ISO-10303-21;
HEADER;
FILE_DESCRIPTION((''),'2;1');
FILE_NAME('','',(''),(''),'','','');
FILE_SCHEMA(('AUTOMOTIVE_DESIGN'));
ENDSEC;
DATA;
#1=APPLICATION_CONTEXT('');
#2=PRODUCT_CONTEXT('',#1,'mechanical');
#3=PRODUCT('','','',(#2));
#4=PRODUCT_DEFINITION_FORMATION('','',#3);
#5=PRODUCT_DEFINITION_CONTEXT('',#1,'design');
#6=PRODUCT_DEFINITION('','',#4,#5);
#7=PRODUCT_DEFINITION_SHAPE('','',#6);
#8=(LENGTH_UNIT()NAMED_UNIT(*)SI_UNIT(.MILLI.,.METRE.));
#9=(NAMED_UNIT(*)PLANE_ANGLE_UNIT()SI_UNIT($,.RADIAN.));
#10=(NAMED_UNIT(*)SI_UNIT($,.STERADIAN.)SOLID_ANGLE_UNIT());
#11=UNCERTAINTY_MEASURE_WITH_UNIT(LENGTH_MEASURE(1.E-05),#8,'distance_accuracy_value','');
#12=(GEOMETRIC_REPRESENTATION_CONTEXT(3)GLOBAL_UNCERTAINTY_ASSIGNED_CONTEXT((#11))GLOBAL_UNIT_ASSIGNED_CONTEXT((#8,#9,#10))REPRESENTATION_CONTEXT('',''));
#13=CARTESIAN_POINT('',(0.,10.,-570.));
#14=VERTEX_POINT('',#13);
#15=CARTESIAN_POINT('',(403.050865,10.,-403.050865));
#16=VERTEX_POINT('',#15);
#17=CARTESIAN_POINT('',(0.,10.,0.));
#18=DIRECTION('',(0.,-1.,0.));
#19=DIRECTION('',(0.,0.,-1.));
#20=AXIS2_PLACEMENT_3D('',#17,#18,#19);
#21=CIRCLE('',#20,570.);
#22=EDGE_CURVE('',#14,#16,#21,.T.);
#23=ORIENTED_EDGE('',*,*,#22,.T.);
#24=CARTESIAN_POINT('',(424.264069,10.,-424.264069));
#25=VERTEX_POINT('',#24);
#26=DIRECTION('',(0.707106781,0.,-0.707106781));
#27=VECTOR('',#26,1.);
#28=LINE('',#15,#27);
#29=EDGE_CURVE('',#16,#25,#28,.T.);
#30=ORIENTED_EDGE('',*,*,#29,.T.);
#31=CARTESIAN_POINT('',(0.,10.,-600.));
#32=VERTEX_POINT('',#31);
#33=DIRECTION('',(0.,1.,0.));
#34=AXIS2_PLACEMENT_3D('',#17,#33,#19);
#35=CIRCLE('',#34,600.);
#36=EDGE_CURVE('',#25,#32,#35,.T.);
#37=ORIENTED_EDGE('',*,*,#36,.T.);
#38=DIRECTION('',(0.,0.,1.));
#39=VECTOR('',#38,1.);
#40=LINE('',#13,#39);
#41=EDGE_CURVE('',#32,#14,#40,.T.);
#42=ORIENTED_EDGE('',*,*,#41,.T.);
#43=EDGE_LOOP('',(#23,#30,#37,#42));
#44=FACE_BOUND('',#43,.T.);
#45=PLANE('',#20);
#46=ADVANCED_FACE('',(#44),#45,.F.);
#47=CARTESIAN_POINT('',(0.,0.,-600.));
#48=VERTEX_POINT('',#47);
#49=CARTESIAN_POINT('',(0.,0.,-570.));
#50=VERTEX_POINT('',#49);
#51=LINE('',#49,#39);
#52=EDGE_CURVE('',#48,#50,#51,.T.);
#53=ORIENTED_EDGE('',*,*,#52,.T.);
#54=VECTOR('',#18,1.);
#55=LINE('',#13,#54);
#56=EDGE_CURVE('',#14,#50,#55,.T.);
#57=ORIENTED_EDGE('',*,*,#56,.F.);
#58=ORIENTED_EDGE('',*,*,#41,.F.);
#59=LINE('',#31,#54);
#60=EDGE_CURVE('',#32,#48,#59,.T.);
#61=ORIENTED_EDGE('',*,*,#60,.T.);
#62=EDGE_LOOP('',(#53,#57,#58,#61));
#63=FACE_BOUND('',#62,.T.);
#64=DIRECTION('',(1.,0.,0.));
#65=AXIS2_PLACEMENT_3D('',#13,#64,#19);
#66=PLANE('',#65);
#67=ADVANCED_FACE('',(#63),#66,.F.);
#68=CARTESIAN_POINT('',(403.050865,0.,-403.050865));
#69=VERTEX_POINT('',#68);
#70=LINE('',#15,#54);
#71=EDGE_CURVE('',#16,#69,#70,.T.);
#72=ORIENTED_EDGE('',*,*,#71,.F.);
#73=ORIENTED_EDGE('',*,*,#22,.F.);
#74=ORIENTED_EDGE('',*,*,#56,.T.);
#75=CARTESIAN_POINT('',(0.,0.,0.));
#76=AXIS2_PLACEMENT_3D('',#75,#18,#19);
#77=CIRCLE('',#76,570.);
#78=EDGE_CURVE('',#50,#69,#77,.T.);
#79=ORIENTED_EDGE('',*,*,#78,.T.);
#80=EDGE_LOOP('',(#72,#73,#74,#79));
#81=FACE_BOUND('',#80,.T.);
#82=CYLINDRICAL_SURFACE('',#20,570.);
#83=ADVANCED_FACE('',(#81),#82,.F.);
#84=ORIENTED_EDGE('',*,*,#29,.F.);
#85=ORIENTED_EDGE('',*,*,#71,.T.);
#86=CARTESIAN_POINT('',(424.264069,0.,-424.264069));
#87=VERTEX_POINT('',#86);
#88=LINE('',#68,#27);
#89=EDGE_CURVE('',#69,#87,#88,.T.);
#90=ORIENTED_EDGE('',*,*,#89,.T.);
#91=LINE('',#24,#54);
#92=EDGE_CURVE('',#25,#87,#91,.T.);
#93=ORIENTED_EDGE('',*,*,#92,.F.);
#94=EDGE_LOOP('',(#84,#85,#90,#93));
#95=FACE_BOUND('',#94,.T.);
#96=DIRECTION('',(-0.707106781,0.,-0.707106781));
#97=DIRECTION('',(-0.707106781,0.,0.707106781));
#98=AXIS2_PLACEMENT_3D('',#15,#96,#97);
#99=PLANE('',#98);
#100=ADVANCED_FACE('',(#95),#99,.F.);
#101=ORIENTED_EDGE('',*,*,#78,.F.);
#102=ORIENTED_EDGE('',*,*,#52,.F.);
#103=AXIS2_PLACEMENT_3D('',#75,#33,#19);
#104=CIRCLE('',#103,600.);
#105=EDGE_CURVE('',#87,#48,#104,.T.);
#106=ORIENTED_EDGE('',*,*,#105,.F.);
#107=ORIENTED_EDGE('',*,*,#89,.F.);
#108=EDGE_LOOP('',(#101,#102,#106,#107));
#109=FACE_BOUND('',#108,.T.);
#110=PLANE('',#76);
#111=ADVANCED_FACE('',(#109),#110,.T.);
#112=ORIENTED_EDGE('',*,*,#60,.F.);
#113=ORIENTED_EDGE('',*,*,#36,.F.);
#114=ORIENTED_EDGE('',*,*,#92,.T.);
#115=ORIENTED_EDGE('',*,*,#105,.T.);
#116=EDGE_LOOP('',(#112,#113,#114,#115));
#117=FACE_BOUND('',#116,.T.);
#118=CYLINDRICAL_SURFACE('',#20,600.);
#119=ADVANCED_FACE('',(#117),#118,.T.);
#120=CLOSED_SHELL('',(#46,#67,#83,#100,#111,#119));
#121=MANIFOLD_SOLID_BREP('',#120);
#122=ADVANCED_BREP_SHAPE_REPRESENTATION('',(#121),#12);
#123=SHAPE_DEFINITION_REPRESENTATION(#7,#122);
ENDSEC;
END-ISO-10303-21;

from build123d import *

# Parameters (mm, degrees)
BOSS_EXTRUDE1_DEPTH = 10


with BuildPart() as part:
    # Sketch1 → Boss-Extrude1 (new body)
    with BuildSketch(Plane(origin=(0, 0, 0), x_dir=(1, 0, 0), z_dir=(0, 1, 0))):
        with BuildLine():
            Line((0, 570), (0, 600))
            ThreePointArc((0, 600), (229.610059419, 554.327719507), (424.264068712, 424.264068712))
            Line((424.264068712, 424.264068712), (403.050865276, 403.050865276))
            ThreePointArc((403.050865276, 403.050865276), (218.129556448, 526.611333531), (0, 570))
        make_face()
    extrude(amount=BOSS_EXTRUDE1_DEPTH)


solid = part.part
